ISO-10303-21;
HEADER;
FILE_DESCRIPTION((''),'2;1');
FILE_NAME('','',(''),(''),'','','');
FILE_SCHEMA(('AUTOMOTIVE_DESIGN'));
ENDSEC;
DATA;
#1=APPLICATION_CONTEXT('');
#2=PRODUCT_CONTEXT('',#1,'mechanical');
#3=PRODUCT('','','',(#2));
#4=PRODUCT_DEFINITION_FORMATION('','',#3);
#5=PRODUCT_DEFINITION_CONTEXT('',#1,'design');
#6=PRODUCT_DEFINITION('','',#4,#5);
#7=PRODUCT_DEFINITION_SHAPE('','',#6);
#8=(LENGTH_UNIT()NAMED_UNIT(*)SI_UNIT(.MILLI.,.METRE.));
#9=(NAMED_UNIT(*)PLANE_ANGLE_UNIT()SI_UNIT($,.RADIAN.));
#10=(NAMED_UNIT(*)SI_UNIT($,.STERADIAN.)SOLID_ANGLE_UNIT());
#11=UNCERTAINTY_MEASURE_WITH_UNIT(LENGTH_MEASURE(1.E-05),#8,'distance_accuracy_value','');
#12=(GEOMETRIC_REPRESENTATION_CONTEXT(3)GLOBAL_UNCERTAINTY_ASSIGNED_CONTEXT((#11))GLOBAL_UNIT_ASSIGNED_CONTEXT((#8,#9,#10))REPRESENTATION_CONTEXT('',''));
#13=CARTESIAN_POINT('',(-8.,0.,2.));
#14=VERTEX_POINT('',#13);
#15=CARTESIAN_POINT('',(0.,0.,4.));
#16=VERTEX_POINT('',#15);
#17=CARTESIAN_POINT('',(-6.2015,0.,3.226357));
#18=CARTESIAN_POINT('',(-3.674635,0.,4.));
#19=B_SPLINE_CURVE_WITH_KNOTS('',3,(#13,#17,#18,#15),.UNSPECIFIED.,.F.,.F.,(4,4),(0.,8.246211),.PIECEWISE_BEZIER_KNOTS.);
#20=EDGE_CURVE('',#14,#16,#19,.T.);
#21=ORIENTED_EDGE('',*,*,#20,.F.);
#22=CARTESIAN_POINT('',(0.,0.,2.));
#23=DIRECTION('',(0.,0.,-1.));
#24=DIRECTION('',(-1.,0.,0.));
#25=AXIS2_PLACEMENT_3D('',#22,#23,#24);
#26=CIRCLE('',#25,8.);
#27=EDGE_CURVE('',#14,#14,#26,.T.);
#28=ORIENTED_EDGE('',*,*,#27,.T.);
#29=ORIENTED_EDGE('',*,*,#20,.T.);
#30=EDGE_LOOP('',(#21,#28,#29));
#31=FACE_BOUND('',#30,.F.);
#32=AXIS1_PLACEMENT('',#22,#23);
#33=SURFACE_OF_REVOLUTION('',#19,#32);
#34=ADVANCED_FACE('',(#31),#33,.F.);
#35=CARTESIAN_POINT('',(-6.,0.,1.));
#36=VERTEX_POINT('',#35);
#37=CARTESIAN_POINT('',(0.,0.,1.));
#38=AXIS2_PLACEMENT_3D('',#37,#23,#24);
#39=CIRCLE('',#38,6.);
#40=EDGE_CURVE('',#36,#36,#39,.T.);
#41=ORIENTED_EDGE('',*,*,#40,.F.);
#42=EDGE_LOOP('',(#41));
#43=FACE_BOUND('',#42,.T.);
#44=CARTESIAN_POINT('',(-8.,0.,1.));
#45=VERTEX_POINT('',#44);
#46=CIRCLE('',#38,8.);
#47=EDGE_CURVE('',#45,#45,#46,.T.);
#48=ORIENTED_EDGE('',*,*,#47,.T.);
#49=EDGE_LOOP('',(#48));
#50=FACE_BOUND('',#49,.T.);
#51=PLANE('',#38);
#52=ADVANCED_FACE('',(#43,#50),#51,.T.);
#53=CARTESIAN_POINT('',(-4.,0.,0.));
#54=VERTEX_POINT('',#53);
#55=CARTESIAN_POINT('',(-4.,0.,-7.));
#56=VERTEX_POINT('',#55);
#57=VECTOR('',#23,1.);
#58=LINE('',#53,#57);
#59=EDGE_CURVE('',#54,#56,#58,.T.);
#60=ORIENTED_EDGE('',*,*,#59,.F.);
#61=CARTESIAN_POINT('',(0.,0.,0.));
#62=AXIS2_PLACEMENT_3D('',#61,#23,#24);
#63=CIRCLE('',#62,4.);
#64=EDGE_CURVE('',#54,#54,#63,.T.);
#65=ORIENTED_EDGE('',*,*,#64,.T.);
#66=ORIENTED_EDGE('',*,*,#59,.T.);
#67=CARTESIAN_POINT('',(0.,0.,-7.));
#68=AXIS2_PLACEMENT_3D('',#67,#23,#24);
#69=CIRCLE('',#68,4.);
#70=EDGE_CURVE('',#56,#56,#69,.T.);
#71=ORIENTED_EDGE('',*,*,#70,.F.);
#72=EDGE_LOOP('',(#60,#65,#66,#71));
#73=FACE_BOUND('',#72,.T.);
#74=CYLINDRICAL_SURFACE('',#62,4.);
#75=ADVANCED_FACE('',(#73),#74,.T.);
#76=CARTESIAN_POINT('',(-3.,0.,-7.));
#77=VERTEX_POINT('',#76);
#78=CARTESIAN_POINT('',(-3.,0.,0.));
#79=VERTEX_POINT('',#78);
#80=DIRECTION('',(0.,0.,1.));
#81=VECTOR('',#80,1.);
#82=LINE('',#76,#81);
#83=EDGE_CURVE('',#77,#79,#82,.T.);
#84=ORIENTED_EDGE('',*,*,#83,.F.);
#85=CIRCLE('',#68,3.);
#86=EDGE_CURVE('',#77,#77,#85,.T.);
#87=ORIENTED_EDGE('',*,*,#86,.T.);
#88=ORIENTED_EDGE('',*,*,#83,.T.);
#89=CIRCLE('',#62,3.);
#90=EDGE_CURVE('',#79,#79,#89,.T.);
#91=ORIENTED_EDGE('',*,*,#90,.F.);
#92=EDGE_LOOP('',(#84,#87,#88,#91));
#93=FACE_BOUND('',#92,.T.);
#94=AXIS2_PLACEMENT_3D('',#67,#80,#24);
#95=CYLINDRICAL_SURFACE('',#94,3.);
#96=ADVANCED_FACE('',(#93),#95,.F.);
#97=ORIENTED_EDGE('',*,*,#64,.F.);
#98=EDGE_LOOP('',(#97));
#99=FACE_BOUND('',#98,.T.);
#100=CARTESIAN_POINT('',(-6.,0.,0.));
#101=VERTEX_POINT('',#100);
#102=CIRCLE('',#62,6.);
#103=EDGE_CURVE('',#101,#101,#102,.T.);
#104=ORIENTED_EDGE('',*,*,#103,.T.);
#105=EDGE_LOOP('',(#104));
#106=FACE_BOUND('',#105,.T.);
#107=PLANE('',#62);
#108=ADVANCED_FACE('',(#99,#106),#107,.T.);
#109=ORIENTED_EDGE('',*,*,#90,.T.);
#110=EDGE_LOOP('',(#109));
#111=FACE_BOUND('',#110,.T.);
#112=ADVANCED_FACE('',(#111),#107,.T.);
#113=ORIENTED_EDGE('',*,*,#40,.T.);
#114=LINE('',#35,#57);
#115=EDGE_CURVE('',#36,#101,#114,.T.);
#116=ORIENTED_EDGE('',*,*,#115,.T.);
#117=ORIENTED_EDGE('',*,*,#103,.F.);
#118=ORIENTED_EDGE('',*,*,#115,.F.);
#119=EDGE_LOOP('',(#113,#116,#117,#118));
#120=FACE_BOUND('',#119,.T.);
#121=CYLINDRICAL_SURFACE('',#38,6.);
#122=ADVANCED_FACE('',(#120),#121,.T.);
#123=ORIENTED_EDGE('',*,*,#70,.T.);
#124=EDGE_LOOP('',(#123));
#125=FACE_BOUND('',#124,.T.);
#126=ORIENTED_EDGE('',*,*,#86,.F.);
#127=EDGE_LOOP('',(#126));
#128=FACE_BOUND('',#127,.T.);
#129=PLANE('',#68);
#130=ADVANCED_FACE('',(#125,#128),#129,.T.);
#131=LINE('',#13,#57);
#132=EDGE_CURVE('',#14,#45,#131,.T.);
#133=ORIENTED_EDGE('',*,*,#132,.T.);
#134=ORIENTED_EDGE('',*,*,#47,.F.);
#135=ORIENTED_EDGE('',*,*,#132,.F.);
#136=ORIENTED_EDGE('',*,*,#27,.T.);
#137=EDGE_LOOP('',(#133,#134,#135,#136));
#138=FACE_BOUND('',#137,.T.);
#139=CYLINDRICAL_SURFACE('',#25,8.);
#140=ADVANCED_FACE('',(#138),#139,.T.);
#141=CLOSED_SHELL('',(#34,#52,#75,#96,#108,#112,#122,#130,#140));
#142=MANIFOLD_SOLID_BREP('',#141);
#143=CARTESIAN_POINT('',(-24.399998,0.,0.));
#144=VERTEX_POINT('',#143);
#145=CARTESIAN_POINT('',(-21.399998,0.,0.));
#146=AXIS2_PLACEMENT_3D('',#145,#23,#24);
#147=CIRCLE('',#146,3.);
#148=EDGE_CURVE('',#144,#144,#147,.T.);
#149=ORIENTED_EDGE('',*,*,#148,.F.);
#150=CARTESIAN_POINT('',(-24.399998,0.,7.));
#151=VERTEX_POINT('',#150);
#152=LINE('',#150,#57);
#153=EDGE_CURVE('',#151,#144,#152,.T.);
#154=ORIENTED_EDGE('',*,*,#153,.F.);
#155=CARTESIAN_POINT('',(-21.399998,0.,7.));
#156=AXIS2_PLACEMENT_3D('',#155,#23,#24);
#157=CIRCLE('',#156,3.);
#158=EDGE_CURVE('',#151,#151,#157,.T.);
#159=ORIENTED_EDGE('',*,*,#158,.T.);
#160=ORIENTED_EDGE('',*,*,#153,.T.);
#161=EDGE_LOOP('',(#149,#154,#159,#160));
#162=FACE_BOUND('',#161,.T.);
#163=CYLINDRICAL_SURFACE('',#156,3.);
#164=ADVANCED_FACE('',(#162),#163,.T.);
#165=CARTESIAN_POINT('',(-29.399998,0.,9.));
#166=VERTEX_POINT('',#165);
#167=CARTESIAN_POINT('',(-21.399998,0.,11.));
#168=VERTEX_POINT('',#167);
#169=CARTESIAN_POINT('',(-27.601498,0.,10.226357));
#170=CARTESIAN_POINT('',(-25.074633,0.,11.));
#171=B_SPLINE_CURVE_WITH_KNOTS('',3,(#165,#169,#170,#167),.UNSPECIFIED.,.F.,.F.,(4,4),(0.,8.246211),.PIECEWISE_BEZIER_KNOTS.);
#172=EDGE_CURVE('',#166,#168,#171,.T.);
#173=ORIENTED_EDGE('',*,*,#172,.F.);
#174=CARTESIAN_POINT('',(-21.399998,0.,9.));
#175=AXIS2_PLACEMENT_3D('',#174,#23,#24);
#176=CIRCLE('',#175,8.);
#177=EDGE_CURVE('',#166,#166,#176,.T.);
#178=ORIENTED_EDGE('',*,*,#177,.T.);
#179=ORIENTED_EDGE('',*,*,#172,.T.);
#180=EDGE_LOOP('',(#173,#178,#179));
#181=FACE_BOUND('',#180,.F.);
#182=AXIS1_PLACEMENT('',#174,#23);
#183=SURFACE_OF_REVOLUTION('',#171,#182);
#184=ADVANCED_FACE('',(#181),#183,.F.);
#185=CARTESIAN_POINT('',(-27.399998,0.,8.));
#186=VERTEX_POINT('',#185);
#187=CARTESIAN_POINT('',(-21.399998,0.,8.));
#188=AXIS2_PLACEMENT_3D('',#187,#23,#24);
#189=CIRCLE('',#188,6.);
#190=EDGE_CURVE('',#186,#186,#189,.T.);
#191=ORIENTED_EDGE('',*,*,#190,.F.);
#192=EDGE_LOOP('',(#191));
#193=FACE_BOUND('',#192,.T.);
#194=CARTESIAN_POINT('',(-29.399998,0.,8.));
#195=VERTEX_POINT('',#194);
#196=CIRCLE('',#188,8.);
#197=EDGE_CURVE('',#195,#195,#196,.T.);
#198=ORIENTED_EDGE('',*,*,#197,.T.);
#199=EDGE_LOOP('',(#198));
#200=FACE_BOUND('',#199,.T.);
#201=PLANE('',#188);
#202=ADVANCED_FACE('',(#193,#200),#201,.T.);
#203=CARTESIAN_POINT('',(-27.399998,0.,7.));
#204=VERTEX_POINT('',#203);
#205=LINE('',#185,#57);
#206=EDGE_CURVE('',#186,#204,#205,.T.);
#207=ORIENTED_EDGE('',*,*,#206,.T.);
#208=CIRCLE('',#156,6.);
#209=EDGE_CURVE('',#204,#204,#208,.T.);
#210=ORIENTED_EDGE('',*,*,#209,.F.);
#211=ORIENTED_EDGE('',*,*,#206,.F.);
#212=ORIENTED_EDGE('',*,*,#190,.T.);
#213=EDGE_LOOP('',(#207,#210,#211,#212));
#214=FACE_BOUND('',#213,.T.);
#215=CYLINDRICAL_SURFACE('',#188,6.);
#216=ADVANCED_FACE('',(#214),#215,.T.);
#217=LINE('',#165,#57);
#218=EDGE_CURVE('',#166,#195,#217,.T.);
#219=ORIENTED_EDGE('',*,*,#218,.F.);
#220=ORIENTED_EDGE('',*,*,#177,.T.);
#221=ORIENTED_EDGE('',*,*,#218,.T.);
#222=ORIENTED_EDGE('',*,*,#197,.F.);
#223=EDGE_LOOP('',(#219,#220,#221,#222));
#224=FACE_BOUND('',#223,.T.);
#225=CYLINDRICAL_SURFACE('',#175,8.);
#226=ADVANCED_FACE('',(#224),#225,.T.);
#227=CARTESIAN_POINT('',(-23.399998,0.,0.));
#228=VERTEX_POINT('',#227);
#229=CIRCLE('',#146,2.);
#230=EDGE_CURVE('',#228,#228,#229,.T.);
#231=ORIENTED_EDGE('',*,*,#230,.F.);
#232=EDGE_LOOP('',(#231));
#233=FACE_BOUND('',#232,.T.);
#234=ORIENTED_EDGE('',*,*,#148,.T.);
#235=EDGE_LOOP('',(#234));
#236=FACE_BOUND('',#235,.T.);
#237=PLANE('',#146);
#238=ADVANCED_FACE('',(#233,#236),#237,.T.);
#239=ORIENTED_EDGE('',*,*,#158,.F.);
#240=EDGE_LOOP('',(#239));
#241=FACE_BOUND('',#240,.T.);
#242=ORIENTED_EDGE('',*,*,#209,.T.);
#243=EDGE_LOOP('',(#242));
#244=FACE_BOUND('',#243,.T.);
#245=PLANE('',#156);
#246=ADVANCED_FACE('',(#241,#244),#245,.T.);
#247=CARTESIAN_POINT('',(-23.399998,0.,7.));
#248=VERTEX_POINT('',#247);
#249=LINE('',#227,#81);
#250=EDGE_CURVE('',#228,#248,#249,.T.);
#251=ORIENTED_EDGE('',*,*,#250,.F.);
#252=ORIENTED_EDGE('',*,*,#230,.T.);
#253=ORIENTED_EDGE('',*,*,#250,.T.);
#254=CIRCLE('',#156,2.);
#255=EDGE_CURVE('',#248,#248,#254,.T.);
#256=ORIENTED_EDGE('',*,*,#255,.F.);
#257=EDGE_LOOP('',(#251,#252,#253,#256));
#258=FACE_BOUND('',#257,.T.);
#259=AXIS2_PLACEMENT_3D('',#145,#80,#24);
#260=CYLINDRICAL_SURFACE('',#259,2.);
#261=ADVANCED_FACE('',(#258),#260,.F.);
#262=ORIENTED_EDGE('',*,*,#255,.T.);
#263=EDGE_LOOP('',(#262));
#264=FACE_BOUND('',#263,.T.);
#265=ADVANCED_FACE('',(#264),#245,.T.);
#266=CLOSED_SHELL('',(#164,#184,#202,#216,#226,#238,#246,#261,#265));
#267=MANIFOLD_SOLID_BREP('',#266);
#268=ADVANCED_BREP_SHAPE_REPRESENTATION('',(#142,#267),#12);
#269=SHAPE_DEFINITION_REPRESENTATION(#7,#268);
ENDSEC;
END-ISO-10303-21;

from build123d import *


with BuildPart() as f1:
    # F0 (on Front) → F1 (revolve)
    with BuildSketch(Plane.XZ):
        with BuildLine():
            Line((0, 0), (0, 4))
            add(Edge.make_bspline(
                [(-8, 2), (-6.2015, 3.226357), (-3.674635, 4), (0, 4)],
                knots=[0, 0, 0, 0, 8.246211, 8.246211, 8.246211, 8.246211], degree=3))
            Line((-8, 2), (-8, 1))
            Line((-8, 1), (-6, 1))
            Line((-6, 1), (-6, 0))
            Line((-6, 0), (-4, 0))
            Line((-4, 0), (-4, -7))
            Line((-4, -7), (-3, -7))
            Line((-3, -7), (-3, 0))
            Line((-3, 0), (0, 0))
        make_face()
    revolve(axis=Axis((0, 0, 2), (0, 0, -1)))


with BuildPart() as f3:
    # F2 (on Front) → F3 (revolve)
    with BuildSketch(Plane.XZ):
        with BuildLine():
            Line((-21.399998, 7), (-21.399998, 11))
            add(Edge.make_bspline(
                [(-29.399998, 9), (-27.601498, 10.226357), (-25.074633, 11), (-21.399998, 11)],
                knots=[0, 0, 0, 0, 8.246211, 8.246211, 8.246211, 8.246211], degree=3))
            Line((-29.399998, 9), (-29.399998, 8))
            Line((-29.399998, 8), (-27.399998, 8))
            Line((-27.399998, 8), (-27.399998, 7))
            Line((-27.399998, 7), (-24.399998, 7))
            Line((-24.399998, 7), (-24.399998, 0))
            Line((-24.399998, 0), (-23.399998, 0))
            Line((-23.399998, 0), (-23.399998, 7))
            Line((-23.399998, 7), (-21.399998, 7))
        make_face()
    revolve(axis=Axis((-21.399998, 0, 9), (0, 0, -1)))


solid = Compound([f1.part, f3.part])
